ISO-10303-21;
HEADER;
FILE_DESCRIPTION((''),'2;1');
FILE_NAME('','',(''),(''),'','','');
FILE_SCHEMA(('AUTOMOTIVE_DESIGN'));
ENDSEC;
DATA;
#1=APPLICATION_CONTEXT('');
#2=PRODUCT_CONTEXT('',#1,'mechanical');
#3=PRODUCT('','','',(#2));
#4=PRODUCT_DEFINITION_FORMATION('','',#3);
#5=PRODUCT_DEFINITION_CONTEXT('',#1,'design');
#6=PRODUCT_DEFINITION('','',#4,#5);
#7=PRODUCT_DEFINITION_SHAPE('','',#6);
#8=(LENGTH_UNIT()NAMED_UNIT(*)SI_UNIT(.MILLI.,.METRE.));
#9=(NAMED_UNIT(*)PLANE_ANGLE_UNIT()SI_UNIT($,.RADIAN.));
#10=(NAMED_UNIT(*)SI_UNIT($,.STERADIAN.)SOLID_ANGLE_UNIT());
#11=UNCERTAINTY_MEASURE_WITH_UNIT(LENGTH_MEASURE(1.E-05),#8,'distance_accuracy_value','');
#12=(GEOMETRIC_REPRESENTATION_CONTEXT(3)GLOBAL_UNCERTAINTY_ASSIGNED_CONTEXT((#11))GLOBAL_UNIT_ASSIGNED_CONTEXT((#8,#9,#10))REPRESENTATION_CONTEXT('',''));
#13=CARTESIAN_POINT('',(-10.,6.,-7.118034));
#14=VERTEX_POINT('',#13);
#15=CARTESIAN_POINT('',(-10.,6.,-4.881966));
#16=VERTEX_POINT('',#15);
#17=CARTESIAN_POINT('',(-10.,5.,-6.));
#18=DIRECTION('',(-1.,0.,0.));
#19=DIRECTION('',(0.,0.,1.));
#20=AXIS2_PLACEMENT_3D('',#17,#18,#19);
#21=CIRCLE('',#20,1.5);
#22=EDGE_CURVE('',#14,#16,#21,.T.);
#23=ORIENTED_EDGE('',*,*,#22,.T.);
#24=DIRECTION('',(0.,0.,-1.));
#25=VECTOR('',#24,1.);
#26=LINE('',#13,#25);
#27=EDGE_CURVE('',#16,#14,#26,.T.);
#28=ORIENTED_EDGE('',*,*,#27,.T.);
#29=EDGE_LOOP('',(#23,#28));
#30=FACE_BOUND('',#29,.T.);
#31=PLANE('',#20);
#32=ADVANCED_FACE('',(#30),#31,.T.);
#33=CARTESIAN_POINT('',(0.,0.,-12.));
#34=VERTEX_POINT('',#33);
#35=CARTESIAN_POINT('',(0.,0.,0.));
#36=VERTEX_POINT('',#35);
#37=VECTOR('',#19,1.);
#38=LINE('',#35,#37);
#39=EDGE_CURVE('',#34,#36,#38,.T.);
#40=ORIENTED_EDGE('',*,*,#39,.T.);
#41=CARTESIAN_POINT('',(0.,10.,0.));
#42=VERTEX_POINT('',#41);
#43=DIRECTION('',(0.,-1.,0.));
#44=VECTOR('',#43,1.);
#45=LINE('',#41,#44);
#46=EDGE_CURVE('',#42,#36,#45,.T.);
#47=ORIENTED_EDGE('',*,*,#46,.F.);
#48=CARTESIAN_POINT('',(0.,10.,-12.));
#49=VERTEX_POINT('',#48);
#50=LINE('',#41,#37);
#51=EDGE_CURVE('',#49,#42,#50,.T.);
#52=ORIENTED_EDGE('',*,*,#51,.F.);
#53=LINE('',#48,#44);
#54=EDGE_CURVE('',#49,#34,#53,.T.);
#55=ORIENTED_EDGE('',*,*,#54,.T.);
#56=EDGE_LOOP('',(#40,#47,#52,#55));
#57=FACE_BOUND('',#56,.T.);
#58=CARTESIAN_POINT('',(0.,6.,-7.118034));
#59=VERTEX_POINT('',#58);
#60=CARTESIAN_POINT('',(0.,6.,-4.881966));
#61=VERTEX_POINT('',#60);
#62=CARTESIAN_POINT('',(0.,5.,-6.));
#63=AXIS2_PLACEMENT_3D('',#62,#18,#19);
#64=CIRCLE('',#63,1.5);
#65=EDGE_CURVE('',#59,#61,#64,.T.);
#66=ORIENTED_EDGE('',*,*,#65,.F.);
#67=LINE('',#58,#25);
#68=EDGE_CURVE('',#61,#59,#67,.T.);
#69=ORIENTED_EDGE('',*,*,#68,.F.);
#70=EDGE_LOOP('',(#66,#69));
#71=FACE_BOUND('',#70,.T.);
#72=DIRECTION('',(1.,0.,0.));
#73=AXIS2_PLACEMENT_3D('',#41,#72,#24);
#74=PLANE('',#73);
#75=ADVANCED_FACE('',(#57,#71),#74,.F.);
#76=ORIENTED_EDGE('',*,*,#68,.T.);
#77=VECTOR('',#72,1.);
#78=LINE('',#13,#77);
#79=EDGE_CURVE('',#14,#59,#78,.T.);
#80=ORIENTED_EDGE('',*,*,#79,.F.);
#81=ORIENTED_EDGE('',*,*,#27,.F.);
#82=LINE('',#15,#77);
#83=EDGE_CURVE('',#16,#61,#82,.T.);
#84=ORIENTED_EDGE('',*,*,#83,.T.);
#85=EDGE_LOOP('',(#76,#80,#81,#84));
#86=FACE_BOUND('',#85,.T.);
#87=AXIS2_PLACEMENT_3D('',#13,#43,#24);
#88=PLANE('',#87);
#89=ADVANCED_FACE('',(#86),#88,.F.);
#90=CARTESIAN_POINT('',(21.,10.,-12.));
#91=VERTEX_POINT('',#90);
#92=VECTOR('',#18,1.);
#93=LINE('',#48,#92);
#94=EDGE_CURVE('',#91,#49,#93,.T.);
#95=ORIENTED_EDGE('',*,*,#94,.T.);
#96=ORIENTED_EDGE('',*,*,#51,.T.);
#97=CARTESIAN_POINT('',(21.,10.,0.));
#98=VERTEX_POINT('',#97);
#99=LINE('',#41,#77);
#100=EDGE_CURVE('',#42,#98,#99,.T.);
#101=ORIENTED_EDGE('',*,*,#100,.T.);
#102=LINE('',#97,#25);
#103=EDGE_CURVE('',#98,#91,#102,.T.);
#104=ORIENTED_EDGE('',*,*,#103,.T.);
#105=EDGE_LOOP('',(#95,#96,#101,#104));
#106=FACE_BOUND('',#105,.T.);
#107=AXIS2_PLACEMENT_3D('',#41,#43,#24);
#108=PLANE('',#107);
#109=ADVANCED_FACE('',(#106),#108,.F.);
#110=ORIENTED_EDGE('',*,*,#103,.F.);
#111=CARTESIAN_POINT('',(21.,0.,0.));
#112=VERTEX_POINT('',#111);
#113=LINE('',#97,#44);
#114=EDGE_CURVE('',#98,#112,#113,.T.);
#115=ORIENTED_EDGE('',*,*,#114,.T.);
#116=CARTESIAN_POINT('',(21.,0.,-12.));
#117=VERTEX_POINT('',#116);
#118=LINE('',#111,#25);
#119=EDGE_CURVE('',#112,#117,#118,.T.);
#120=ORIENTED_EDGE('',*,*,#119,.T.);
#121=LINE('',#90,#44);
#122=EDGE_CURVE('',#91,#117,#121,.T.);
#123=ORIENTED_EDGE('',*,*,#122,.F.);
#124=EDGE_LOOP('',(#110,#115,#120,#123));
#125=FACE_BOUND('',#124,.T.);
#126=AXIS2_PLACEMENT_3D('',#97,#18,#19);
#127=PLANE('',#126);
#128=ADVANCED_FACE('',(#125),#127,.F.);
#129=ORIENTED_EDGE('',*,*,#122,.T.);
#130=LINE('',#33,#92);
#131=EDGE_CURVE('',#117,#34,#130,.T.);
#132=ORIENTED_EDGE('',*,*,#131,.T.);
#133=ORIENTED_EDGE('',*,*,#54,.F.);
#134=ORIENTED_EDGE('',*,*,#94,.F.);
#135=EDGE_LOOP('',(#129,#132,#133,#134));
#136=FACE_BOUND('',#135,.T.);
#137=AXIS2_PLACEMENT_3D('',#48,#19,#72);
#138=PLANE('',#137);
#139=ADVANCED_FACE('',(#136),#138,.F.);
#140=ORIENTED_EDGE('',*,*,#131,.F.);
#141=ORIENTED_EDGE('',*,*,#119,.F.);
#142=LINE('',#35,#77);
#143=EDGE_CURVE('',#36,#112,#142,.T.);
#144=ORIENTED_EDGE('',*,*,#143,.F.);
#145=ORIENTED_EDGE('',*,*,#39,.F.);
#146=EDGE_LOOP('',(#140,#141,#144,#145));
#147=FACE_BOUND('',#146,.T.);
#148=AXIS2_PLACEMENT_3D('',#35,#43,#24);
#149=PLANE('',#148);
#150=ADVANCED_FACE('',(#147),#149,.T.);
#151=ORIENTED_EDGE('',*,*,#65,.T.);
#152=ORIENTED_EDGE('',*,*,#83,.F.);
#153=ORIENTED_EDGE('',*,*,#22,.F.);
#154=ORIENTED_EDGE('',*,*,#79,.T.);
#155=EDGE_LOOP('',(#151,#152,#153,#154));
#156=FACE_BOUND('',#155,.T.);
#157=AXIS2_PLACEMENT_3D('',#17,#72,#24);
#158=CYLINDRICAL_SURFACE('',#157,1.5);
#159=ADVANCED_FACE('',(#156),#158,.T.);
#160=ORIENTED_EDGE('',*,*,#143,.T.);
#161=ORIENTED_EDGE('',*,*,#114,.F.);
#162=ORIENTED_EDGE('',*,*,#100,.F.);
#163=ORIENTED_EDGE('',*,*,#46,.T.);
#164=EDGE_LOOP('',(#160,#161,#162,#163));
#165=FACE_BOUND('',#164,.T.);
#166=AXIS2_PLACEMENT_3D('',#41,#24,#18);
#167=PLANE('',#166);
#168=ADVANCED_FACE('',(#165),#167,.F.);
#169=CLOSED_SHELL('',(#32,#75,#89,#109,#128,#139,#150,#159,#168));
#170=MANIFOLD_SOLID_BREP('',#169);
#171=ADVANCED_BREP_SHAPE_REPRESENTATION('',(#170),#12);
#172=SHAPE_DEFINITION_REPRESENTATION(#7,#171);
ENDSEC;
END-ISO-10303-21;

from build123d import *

# Parameters (mm, degrees)
SKETCH1_W           = 21
SKETCH1_H           = 12
BOSS_EXTRUDE1_DEPTH = 10
BOSS_EXTRUDE2_DEPTH = 10


with BuildPart() as part:
    # Sketch1 → Boss-Extrude1 (new body)
    with BuildSketch(Plane(origin=(0, 0, 0), x_dir=(1, 0, 0), z_dir=(0, 1, 0))):
        with Locations((10.5, 6)):
            Rectangle(SKETCH1_W, SKETCH1_H)
    extrude(amount=BOSS_EXTRUDE1_DEPTH)

    # Sketch2 → Boss-Extrude2 (add)
    with BuildSketch(Plane.ZY):
        with BuildLine():
            Line((-7.118033989, 6), (-4.881966011, 6))
            ThreePointArc((-4.881966011, 6), (-6, 3.5), (-7.118033989, 6))
        make_face()
    extrude(amount=BOSS_EXTRUDE2_DEPTH)


solid = part.part
